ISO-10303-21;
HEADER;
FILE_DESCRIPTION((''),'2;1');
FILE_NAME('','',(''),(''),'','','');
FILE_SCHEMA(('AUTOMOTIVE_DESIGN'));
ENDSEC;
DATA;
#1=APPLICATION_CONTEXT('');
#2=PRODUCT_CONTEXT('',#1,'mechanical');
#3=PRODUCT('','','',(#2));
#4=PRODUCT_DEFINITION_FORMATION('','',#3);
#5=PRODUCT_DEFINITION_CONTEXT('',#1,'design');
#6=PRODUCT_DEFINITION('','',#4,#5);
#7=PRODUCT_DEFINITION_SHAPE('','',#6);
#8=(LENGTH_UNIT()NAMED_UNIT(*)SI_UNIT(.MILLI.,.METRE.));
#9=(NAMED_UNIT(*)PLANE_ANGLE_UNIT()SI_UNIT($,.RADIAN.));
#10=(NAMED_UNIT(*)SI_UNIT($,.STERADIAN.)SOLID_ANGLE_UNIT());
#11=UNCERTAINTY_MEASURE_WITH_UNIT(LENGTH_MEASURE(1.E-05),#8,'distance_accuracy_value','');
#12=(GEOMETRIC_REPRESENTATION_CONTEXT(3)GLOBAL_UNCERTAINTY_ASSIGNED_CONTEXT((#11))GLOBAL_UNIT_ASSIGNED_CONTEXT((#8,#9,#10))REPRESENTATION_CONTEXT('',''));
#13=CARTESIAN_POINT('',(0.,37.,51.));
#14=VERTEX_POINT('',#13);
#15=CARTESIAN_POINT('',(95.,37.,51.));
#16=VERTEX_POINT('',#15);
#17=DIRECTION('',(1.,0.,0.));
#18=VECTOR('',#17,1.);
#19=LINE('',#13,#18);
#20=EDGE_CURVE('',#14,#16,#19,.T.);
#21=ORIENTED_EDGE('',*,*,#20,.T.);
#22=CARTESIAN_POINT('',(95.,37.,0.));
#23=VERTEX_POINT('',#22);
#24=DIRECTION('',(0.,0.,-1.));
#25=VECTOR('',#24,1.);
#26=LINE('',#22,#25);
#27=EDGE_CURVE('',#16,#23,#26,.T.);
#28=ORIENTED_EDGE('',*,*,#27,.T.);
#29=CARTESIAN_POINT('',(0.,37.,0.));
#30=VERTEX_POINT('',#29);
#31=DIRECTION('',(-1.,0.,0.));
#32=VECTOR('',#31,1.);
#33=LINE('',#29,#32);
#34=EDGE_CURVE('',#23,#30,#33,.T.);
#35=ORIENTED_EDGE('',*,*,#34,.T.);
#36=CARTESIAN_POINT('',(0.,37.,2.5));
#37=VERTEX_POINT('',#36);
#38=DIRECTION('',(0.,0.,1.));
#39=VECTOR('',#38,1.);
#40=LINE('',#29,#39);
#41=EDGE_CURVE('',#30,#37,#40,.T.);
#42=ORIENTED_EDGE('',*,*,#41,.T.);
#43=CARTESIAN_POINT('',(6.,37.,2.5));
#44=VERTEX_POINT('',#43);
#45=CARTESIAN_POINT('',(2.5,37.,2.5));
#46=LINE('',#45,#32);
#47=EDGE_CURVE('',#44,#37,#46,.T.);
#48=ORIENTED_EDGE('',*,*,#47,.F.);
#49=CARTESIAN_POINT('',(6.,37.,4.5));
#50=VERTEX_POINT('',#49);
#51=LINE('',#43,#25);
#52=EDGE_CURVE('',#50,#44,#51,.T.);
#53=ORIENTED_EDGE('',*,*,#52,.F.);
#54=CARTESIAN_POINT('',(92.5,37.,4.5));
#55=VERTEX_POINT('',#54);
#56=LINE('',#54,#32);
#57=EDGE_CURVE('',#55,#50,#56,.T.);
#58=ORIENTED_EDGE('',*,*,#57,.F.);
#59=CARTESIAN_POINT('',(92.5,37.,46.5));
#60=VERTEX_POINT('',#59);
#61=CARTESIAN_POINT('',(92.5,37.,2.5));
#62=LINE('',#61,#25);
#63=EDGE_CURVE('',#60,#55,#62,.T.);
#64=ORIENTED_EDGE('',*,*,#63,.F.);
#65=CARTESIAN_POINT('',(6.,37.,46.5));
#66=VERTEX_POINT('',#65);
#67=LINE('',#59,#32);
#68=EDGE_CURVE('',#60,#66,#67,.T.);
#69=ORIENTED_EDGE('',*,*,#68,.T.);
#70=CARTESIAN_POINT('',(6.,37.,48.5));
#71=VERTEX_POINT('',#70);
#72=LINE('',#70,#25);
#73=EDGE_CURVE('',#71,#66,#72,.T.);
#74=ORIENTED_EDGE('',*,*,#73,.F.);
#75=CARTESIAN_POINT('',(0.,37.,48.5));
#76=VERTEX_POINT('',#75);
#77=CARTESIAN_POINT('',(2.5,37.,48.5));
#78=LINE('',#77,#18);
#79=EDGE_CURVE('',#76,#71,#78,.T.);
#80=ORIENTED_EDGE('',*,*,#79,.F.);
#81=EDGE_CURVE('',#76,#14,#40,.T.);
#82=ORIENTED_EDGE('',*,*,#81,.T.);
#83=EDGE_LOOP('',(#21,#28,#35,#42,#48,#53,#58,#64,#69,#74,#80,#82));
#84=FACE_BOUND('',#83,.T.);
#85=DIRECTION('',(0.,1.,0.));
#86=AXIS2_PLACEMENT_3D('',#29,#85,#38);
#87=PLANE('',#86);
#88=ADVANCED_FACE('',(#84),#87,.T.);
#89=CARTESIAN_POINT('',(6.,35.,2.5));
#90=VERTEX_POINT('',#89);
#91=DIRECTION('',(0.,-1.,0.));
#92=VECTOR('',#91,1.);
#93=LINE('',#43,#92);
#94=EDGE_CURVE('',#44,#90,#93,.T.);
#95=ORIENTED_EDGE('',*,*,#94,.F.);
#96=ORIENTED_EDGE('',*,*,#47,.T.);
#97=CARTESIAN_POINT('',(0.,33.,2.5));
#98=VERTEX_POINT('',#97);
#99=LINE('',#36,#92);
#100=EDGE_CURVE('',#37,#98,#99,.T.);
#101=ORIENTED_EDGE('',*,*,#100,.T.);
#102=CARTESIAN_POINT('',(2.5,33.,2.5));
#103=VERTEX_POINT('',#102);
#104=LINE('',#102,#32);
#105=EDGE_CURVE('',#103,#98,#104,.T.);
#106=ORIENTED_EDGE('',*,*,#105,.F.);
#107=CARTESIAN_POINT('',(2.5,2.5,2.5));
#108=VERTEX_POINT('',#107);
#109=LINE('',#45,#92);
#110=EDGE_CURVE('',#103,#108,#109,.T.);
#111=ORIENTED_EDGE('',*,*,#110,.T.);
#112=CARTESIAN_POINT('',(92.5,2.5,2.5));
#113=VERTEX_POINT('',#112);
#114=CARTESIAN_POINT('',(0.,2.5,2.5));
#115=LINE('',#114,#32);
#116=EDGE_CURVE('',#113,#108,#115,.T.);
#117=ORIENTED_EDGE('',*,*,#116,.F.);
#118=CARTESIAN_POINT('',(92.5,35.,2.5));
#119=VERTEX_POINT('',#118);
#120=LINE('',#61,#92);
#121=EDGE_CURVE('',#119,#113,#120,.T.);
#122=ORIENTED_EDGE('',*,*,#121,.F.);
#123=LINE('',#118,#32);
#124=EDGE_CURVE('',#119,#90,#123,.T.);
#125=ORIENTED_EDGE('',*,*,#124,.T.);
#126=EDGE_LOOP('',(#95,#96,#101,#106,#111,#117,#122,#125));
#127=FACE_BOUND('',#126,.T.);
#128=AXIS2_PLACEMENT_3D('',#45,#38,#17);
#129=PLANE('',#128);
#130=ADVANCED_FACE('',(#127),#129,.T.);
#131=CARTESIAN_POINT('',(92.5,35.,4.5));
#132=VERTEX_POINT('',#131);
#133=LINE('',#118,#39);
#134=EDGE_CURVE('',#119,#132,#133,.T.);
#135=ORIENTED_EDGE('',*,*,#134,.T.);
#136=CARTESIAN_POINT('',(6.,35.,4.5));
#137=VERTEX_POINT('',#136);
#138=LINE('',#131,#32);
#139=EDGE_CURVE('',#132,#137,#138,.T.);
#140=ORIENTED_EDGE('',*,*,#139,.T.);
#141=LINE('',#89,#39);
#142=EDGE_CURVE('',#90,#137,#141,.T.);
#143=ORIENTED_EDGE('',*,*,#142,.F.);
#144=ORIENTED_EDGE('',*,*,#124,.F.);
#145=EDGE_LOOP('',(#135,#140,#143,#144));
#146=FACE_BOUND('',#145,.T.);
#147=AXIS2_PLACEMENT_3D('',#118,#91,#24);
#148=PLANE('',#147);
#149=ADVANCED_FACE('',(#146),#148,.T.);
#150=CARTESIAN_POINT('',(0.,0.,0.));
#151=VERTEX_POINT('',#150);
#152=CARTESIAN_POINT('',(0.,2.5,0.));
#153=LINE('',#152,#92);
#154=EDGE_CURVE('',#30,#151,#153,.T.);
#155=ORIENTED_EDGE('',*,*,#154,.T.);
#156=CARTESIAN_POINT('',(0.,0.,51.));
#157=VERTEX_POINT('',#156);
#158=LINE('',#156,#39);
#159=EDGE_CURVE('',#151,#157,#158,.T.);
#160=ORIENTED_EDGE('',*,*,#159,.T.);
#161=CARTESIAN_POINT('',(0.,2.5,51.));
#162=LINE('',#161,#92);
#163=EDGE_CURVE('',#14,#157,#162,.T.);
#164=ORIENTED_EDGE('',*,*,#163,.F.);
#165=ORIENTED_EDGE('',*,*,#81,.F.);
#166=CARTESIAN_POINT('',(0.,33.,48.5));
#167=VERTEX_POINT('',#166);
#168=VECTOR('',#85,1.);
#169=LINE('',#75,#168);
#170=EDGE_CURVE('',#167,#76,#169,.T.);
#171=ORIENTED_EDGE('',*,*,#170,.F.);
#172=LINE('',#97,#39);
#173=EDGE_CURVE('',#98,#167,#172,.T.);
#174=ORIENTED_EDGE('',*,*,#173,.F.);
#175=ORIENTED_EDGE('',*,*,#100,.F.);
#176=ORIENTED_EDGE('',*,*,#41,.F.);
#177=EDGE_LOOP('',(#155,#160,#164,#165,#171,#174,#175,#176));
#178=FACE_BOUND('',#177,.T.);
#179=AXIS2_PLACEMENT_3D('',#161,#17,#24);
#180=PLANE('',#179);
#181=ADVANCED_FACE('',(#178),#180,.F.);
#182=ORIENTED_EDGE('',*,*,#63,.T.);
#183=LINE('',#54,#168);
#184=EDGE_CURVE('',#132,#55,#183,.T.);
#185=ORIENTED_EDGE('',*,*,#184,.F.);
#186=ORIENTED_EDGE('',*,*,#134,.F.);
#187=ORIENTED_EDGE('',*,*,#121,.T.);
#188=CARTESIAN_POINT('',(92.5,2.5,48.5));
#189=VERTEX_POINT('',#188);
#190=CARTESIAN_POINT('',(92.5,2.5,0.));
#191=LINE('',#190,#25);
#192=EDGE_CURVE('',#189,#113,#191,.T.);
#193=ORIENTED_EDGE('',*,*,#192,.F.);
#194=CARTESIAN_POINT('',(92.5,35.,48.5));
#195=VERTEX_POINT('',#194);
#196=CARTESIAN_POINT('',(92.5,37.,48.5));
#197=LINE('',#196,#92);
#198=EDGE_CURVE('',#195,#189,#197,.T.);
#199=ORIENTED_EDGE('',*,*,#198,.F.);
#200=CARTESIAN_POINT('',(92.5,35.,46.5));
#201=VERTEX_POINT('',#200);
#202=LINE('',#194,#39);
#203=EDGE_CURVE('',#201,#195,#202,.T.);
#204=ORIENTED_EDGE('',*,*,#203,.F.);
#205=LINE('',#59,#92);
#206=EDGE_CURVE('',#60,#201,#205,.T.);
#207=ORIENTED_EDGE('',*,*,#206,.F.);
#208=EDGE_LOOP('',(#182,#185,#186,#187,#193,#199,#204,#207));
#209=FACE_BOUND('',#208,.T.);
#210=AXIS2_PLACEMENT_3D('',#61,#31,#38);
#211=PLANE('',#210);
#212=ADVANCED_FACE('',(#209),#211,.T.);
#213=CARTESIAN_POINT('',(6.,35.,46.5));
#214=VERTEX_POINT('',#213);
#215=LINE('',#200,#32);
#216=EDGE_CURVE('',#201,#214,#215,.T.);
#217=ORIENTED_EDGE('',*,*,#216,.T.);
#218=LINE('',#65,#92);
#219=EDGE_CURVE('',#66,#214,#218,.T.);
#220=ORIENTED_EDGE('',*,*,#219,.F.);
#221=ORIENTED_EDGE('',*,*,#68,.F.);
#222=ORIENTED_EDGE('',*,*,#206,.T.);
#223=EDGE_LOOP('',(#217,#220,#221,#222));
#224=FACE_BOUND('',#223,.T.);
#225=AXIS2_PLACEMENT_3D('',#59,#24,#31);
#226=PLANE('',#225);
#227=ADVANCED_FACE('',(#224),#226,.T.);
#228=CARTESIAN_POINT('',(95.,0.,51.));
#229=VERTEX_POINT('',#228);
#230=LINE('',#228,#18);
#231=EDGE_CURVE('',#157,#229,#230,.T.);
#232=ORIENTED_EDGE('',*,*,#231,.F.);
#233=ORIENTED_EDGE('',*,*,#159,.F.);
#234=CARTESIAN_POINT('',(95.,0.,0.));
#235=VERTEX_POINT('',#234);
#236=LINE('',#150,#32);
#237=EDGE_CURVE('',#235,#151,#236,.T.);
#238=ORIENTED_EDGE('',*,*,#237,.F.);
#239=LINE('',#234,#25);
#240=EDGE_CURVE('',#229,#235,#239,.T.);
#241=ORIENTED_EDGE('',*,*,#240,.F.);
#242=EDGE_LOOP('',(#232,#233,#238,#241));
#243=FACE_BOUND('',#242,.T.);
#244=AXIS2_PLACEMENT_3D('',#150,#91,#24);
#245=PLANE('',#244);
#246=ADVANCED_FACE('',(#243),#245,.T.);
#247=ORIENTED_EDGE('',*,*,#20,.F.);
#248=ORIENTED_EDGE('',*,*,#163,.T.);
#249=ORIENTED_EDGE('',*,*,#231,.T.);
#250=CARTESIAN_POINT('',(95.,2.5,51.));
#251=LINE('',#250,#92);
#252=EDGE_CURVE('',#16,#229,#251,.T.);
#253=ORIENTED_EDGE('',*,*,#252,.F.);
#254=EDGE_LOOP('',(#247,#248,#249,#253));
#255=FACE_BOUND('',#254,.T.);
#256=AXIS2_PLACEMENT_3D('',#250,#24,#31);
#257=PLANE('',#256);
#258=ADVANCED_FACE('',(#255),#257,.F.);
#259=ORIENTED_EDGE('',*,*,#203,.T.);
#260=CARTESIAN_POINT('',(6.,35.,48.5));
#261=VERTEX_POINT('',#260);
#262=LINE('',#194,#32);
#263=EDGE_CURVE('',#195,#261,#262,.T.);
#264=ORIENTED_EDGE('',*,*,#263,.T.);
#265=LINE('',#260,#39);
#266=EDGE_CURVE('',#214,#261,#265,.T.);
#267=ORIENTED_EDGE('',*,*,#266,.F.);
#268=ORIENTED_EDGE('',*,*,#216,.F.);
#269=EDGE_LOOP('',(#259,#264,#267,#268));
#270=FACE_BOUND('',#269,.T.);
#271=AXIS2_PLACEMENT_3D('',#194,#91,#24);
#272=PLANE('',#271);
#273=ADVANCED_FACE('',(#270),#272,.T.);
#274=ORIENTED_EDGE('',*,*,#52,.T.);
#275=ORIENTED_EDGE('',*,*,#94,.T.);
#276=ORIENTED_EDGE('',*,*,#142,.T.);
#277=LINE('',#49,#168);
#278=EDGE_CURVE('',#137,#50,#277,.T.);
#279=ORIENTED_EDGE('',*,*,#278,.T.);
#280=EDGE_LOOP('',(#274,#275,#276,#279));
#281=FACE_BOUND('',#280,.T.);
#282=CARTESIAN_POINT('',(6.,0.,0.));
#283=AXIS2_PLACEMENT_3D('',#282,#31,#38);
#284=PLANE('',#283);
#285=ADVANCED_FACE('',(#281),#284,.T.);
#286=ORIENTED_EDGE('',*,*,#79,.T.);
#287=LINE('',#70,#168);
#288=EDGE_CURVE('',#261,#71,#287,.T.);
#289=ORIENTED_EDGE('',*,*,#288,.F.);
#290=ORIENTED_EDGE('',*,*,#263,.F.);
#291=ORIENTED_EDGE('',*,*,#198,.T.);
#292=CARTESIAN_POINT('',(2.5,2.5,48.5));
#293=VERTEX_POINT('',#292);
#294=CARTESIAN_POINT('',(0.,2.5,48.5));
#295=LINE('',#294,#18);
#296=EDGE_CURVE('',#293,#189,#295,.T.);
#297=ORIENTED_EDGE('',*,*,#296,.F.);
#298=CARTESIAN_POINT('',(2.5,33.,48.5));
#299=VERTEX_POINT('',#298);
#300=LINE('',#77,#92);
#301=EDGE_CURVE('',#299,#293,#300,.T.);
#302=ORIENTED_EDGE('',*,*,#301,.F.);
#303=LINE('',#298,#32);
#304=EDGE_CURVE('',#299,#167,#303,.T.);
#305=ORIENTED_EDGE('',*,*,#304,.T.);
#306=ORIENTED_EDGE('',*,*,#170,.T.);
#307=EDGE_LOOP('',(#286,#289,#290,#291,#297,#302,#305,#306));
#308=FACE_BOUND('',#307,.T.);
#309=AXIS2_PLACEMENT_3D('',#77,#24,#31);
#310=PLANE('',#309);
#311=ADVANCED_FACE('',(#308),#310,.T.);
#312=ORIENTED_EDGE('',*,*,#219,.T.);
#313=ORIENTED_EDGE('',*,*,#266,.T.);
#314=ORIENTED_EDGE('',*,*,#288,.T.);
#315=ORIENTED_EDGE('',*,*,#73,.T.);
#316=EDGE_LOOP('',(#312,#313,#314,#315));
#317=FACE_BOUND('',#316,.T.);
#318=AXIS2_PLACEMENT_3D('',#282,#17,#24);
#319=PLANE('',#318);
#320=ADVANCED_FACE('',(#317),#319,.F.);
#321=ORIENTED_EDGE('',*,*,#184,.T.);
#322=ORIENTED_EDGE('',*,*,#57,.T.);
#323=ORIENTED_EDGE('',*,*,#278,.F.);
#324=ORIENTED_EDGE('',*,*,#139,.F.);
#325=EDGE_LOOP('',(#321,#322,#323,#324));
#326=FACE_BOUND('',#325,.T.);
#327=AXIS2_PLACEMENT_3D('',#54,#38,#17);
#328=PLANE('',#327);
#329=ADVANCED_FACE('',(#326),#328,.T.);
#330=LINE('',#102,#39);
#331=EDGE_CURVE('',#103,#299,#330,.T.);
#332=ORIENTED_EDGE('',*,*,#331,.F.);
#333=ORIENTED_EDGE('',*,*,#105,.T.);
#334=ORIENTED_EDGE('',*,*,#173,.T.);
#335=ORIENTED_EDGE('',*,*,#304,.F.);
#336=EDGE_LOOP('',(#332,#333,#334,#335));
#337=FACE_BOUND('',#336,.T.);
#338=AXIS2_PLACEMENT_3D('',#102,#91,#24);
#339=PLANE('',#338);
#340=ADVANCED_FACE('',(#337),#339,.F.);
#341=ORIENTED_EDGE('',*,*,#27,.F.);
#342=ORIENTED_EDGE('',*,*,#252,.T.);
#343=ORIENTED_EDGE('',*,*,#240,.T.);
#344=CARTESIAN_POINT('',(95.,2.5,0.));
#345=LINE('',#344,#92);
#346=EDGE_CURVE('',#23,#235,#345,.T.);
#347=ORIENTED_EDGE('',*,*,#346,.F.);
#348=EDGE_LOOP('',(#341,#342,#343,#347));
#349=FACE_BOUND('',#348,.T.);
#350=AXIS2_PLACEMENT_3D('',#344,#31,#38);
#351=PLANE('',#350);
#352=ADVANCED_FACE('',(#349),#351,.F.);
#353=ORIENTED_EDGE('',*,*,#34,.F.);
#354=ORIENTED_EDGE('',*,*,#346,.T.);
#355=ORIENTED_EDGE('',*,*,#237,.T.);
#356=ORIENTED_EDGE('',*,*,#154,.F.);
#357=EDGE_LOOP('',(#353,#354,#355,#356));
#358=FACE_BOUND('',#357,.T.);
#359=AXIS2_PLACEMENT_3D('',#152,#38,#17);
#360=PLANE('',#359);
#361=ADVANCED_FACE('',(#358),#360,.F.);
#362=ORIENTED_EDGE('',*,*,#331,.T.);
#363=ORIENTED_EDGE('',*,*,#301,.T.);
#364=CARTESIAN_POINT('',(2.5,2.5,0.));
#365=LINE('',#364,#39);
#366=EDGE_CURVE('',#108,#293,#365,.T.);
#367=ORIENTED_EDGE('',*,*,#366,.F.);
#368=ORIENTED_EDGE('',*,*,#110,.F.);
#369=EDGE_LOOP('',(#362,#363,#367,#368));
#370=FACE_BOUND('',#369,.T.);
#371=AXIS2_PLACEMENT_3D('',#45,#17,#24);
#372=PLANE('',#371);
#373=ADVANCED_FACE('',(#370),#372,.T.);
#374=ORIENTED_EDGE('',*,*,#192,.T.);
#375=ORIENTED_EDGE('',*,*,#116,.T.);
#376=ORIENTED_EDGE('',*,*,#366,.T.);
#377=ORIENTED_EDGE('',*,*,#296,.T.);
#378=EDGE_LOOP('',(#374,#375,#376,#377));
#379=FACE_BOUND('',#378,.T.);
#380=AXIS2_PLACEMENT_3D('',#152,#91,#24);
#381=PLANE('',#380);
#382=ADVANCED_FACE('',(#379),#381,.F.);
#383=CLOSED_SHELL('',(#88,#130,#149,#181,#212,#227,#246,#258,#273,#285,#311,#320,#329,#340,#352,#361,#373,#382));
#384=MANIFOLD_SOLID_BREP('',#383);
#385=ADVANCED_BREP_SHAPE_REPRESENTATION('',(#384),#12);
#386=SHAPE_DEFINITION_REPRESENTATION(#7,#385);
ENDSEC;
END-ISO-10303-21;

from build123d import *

# Parameters (mm, degrees)
ESBO_O1_W                = 95
ESBO_O1_H                = 51
RESSALTO_EXTRUS_O1_DEPTH = 2.5
ESBO_O2_W                = 95
ESBO_O2_H                = 51
ESBO_O2_W_2              = 90
ESBO_O2_H_2              = 46
RESSALTO_EXTRUS_O3_DEPTH = 37
ESBO_O3_W                = 46
ESBO_O3_H                = 4
CORTE_EXTRUS_O3_DEPTH    = 2.5
RESSALTO_EXTRUS_O7_START = -6
ESBO_O4_W                = 2
ESBO_O4_H                = 2
RESSALTO_EXTRUS_O7_DEPTH = 86.5


with BuildPart() as part:
    # Esboço1 → Ressalto-extrusão1 (new body)
    with BuildSketch(Plane(origin=(0, 0, 0), x_dir=(1, 0, 0), z_dir=(0, 1, 0))):
        with Locations((47.5, -25.5)):
            Rectangle(ESBO_O1_W, ESBO_O1_H)
    extrude(amount=RESSALTO_EXTRUS_O1_DEPTH)

    # Esboço2 → Ressalto-extrusão3 (add)
    with BuildSketch(Plane(origin=(0, 0, 0), x_dir=(1, 0, 0), z_dir=(0, 1, 0))):
        with Locations((47.5, -25.5)):
            Rectangle(ESBO_O2_W, ESBO_O2_H)
        with Locations((47.5, -25.5)):
            Rectangle(ESBO_O2_W_2, ESBO_O2_H_2, mode=Mode.SUBTRACT)
    extrude(amount=RESSALTO_EXTRUS_O3_DEPTH)

    # Esboço3 → Corte-extrusão3 (cut)
    with BuildSketch(Plane.ZY):
        with Locations((25.5, 35)):
            Rectangle(ESBO_O3_W, ESBO_O3_H)
    extrude(amount=-CORTE_EXTRUS_O3_DEPTH, mode=Mode.SUBTRACT)

    # Esboço4 → Ressalto-extrusão7 (add)
    with BuildSketch(Plane.ZY.offset(RESSALTO_EXTRUS_O7_START)):
        with Locations((3.5, 36)):
            Rectangle(ESBO_O4_W, ESBO_O4_H)
        with Locations((47.5, 36)):
            Rectangle(ESBO_O4_W, ESBO_O4_H)
    extrude(amount=-RESSALTO_EXTRUS_O7_DEPTH)


solid = part.part
